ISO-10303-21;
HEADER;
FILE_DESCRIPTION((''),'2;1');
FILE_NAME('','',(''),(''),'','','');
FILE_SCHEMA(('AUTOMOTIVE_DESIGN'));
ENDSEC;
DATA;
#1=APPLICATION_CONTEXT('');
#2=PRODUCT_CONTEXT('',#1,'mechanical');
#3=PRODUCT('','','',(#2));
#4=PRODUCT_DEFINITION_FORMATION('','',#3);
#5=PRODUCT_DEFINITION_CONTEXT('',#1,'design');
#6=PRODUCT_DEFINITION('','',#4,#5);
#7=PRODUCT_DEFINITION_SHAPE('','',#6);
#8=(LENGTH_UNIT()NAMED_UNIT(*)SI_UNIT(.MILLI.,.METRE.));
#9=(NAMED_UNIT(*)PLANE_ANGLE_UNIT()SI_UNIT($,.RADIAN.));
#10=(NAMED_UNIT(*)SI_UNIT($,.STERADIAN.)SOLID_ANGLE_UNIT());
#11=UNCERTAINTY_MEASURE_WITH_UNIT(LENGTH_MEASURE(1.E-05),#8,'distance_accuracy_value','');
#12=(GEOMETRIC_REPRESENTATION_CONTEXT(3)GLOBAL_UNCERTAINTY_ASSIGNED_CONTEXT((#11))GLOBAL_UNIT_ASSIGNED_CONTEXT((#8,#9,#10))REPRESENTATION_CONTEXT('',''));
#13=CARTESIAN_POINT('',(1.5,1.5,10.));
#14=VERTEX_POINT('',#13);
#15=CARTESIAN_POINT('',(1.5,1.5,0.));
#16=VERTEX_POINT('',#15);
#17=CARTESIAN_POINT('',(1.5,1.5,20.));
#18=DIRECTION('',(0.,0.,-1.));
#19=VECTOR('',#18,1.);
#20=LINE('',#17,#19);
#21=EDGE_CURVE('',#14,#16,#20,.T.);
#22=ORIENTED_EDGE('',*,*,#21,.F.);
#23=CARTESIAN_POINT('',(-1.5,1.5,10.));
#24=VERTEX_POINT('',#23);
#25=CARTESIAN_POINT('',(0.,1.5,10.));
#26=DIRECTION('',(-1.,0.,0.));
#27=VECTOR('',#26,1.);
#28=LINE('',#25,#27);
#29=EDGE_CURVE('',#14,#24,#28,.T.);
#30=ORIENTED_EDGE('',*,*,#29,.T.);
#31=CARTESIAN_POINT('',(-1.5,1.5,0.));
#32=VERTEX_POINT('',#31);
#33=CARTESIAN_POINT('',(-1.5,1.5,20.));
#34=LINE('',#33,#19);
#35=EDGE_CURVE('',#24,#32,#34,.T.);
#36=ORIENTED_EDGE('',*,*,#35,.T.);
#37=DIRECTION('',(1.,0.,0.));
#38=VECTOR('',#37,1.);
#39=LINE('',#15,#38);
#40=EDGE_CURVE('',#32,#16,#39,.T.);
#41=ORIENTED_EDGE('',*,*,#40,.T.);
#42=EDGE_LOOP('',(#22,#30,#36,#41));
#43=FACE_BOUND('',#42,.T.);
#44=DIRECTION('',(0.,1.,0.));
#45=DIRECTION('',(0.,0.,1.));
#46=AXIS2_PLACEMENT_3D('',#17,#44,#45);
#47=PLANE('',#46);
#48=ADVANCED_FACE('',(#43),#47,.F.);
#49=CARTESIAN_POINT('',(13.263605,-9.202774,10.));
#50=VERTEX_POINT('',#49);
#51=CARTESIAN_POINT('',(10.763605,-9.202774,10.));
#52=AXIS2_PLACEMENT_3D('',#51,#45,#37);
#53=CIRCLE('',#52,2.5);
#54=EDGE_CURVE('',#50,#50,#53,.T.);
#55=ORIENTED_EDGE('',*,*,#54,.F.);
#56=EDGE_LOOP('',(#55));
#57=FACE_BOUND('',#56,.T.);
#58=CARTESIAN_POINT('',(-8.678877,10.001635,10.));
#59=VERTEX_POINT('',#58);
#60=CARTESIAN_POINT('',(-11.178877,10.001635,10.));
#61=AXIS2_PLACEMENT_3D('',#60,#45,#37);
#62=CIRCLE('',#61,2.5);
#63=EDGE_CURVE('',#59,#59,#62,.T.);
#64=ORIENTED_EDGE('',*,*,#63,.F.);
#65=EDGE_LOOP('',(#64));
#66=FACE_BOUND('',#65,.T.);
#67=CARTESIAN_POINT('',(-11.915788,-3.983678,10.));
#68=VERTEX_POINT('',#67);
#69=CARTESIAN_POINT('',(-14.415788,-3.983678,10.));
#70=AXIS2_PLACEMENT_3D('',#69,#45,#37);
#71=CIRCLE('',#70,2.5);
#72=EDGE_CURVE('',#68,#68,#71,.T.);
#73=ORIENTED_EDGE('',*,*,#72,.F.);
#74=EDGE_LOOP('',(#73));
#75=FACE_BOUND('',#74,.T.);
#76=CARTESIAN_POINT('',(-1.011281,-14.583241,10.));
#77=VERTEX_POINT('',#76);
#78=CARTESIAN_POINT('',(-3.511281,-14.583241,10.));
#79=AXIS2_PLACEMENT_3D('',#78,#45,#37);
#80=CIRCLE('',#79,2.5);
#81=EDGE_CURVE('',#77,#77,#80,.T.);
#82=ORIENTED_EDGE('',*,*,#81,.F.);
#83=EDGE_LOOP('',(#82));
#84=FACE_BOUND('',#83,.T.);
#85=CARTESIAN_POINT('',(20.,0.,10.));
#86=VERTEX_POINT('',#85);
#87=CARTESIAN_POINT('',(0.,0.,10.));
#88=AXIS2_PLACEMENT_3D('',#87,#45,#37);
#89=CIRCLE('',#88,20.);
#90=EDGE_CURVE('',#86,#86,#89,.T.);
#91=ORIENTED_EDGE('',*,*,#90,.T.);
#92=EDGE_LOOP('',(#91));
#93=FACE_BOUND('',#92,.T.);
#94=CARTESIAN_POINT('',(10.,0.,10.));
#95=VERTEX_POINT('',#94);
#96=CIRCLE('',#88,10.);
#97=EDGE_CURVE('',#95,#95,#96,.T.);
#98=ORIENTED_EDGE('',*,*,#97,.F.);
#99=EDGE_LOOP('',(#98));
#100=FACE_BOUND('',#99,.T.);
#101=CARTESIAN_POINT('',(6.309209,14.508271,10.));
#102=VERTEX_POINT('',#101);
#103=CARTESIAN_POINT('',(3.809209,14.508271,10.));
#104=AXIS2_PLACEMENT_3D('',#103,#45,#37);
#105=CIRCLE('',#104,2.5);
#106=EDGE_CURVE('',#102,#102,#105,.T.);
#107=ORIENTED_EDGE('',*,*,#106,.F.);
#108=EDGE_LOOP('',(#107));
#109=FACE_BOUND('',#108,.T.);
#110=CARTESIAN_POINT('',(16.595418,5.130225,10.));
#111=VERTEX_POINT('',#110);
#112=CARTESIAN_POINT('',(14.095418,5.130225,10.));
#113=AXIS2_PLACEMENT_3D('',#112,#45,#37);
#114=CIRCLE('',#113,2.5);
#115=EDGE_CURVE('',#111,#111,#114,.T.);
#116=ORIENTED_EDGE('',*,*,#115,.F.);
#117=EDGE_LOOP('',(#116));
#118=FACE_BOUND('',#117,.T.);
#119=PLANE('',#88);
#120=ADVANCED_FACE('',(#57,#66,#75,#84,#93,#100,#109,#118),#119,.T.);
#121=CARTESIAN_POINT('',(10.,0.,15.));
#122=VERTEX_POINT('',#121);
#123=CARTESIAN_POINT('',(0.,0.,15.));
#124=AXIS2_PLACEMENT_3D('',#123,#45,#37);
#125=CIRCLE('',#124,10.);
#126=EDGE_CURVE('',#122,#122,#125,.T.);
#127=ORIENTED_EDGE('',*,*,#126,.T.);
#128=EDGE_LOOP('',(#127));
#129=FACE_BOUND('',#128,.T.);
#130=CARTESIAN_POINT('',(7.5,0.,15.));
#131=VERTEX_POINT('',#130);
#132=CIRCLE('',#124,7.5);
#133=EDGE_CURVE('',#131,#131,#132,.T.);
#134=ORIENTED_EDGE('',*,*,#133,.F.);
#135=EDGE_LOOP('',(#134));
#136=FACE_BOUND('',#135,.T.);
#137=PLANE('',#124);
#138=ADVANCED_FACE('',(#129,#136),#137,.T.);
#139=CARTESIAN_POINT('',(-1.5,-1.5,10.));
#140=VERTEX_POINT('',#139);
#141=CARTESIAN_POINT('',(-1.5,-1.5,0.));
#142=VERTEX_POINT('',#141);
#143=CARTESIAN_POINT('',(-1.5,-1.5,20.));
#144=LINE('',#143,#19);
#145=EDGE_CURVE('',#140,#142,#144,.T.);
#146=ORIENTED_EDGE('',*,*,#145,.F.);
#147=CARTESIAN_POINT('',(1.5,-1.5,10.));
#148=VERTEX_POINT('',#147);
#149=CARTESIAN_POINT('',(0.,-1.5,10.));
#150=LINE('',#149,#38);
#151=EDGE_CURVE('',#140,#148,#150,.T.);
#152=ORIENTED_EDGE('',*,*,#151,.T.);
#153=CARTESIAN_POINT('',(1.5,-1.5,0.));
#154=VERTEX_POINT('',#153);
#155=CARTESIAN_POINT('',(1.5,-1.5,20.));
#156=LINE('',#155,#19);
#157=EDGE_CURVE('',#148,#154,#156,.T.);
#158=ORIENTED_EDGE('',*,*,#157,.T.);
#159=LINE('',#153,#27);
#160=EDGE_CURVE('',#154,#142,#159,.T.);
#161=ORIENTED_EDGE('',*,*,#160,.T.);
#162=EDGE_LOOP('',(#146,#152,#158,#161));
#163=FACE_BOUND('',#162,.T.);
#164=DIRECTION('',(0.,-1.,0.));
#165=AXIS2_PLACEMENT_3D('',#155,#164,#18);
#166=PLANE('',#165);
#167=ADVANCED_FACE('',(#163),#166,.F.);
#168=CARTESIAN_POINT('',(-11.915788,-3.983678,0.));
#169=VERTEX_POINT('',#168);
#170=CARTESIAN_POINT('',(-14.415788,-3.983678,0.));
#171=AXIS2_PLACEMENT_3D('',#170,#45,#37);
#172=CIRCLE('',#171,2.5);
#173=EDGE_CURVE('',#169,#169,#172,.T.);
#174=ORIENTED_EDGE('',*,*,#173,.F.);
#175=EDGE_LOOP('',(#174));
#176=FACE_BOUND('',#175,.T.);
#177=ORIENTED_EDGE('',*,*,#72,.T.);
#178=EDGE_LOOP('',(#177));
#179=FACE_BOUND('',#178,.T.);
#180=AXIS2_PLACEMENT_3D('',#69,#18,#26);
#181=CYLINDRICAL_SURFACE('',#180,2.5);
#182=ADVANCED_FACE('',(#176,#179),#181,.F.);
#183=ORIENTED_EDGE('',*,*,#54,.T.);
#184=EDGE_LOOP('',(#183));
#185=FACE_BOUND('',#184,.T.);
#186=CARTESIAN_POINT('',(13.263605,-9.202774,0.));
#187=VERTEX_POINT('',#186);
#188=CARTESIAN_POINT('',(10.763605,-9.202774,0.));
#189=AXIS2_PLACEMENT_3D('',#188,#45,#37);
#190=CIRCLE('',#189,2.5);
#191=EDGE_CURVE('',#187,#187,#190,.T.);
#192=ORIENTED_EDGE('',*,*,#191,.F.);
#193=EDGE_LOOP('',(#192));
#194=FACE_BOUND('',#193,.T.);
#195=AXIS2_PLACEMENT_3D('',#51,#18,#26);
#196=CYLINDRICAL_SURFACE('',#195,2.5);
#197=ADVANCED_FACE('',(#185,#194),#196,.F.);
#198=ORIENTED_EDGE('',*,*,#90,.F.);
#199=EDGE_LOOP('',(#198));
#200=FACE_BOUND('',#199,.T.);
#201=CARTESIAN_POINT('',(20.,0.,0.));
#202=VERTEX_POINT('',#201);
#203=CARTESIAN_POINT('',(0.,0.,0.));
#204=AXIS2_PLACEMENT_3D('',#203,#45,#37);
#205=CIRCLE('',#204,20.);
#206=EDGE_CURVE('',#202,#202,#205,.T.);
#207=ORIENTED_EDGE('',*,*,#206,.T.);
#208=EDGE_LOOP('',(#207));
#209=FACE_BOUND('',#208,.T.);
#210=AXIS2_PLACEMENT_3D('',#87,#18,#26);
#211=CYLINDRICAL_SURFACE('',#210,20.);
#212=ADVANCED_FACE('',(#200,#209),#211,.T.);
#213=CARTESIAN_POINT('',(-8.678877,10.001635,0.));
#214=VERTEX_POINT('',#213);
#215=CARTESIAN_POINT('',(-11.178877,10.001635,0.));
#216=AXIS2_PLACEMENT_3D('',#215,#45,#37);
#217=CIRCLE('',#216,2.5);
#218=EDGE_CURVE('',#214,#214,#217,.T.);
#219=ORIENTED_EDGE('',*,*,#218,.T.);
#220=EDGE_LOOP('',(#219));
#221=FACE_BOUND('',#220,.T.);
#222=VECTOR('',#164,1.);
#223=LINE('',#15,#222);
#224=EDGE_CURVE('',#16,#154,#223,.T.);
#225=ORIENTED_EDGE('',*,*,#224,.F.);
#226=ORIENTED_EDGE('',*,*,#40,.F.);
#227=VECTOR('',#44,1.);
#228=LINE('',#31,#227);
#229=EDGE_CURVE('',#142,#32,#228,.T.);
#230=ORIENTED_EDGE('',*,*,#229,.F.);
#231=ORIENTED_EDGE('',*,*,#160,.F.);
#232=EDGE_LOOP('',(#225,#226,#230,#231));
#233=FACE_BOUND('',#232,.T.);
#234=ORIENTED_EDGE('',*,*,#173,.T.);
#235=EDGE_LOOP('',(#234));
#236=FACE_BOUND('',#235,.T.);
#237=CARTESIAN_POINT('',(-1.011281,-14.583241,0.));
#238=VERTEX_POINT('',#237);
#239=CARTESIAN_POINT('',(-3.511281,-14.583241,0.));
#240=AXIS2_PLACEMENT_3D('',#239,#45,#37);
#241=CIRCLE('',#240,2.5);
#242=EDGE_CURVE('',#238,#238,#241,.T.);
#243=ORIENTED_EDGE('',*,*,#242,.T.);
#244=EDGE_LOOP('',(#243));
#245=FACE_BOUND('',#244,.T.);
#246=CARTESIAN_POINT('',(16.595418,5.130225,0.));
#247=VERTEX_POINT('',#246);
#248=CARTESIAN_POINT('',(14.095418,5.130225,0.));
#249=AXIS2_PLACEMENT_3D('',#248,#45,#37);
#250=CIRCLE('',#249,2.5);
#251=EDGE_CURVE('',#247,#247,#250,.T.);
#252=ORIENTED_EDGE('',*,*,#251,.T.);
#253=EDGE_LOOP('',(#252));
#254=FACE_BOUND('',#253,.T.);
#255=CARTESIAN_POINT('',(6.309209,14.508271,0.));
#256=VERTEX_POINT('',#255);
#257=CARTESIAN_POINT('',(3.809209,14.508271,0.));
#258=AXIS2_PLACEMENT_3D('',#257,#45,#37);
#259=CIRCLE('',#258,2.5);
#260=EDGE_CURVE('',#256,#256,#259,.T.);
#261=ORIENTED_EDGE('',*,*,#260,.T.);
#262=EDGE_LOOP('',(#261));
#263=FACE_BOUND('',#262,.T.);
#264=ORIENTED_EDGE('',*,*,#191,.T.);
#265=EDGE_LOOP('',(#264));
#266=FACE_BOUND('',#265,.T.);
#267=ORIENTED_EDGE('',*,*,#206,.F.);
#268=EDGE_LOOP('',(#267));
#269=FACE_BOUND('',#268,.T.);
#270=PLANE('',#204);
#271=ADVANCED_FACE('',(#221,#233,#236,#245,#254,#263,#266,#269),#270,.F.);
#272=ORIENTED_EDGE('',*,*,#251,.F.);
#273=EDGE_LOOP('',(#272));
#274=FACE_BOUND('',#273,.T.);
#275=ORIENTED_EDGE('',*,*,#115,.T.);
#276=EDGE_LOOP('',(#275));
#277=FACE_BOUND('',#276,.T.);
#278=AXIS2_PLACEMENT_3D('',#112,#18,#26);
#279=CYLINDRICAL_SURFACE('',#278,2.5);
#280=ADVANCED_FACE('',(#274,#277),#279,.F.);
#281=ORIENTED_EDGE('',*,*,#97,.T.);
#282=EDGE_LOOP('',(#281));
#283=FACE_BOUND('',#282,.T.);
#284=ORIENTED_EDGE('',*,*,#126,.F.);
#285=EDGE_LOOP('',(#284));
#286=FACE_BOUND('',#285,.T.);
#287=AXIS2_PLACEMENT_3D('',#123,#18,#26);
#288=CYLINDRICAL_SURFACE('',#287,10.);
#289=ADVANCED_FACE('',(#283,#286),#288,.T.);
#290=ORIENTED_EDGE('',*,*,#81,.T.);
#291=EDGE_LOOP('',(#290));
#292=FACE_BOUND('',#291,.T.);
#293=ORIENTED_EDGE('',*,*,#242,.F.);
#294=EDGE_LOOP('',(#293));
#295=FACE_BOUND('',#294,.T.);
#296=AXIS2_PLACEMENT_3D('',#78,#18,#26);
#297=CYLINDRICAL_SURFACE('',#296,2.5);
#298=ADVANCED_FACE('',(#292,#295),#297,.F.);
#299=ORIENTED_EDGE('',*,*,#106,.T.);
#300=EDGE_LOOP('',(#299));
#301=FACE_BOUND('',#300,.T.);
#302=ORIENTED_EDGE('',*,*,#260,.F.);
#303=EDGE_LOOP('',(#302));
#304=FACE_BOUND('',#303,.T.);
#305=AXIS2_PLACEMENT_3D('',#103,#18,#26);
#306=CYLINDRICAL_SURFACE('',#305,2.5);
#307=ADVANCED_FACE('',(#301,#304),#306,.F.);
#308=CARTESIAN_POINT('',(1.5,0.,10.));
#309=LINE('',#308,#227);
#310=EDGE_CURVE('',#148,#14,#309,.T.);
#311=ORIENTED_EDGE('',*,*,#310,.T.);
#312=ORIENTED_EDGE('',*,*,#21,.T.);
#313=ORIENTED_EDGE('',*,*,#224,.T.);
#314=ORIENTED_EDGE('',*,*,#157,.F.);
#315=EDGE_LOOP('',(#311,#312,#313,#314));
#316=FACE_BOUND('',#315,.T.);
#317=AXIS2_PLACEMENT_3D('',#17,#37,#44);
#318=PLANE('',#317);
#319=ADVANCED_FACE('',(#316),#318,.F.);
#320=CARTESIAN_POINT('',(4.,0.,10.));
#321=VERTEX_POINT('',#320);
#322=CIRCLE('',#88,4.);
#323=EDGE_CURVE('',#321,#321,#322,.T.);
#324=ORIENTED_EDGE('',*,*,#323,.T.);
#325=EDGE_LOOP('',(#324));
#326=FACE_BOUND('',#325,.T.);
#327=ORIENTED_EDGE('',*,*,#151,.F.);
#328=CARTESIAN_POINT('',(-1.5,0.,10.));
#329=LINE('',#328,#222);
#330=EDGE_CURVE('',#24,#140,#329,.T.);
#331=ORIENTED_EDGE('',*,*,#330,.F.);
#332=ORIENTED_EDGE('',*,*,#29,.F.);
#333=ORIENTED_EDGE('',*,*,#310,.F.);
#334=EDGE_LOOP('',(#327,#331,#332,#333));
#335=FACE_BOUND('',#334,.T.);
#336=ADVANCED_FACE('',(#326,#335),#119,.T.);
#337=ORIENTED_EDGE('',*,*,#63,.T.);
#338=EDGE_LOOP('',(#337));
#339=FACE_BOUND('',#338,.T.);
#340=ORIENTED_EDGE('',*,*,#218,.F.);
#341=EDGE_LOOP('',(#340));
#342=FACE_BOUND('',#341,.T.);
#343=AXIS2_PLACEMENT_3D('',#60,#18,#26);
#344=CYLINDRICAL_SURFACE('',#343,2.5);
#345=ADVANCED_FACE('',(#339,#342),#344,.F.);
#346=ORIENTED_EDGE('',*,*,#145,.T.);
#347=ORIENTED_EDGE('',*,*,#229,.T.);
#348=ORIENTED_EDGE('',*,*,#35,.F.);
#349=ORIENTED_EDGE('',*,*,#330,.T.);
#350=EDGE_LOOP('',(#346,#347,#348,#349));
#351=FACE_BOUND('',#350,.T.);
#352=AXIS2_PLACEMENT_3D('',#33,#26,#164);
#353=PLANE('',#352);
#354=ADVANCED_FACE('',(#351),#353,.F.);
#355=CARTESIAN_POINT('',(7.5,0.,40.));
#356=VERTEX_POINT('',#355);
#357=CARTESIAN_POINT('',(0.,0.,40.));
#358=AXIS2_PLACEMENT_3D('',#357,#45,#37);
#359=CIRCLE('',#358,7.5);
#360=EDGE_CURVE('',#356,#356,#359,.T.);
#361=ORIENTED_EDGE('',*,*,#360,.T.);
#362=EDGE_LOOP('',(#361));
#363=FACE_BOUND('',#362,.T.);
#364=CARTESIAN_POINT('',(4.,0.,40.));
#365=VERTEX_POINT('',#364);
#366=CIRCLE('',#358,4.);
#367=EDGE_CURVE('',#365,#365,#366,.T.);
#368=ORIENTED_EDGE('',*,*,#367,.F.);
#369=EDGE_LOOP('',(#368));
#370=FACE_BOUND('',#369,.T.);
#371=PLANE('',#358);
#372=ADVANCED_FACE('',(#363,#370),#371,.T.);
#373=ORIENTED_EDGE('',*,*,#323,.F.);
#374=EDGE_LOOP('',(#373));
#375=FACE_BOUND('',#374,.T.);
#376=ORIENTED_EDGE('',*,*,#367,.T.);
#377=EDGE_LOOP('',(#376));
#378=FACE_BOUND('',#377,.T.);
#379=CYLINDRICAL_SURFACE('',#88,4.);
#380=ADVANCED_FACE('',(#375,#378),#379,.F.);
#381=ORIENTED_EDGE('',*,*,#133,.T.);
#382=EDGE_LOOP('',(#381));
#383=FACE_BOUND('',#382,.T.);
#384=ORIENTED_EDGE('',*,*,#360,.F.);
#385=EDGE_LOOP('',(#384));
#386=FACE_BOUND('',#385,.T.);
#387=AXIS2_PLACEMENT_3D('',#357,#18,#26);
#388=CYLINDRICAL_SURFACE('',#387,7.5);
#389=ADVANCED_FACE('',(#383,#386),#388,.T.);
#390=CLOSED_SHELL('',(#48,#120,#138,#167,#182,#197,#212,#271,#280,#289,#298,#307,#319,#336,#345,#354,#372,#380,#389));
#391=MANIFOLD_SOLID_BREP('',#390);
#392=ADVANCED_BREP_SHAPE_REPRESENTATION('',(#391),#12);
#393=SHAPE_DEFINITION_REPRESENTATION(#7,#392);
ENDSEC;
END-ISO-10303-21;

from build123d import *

# Parameters (mm, degrees)
SKETCH1_R           = 20
SKETCH1_R_2         = 2.5
BOSS_EXTRUDE1_DEPTH = 10
SKETCH2_R           = 7.5
BOSS_EXTRUDE2_DEPTH = 30
SKETCH3_R           = 4
CUT_EXTRUDE1_DEPTH  = 30
SKETCH4_W           = 3
SKETCH4_H           = 3
CUT_EXTRUDE2_DEPTH  = 20
SKETCH5_R           = 10
SKETCH5_R_2         = 7.5
BOSS_EXTRUDE3_DEPTH = 5


with BuildPart() as part:
    # Sketch1 → Boss-Extrude1 (new body)
    with BuildSketch(Plane.XY):
        Circle(SKETCH1_R)
        with Locations((3.80920927, 14.508270908)):
            Circle(SKETCH1_R_2, mode=Mode.SUBTRACT)
        with Locations((14.095417524, 5.130224636)):
            Circle(SKETCH1_R_2, mode=Mode.SUBTRACT)
        with Locations((10.763605071, -9.202774002)):
            Circle(SKETCH1_R_2, mode=Mode.SUBTRACT)
        with Locations((-3.511280661, -14.583240659)):
            Circle(SKETCH1_R_2, mode=Mode.SUBTRACT)
        with Locations((-14.415788075, -3.983677546)):
            Circle(SKETCH1_R_2, mode=Mode.SUBTRACT)
        with Locations((-11.178876863, 10.00163547)):
            Circle(SKETCH1_R_2, mode=Mode.SUBTRACT)
    extrude(amount=BOSS_EXTRUDE1_DEPTH)

    # Sketch2 → Boss-Extrude2 (add)
    with BuildSketch(Plane.XY.offset(10)):
        Circle(SKETCH2_R)
    extrude(amount=BOSS_EXTRUDE2_DEPTH)

    # Sketch3 → Cut-Extrude1 (cut)
    with BuildSketch(Plane.XY.offset(40)):
        Circle(SKETCH3_R)
    extrude(amount=-CUT_EXTRUDE1_DEPTH, mode=Mode.SUBTRACT)

    # Sketch4 → Cut-Extrude2 (cut)
    with BuildSketch(Plane(origin=(0, 0, 0), x_dir=(-1, 0, 0), z_dir=(0, 0, -1))):
        Rectangle(SKETCH4_W, SKETCH4_H)
    extrude(amount=-CUT_EXTRUDE2_DEPTH, mode=Mode.SUBTRACT)

    # Sketch5 → Boss-Extrude3 (add)
    with BuildSketch(Plane.XY.offset(10)):
        Circle(SKETCH5_R)
        Circle(SKETCH5_R_2, mode=Mode.SUBTRACT)
    extrude(amount=BOSS_EXTRUDE3_DEPTH)


solid = part.part
